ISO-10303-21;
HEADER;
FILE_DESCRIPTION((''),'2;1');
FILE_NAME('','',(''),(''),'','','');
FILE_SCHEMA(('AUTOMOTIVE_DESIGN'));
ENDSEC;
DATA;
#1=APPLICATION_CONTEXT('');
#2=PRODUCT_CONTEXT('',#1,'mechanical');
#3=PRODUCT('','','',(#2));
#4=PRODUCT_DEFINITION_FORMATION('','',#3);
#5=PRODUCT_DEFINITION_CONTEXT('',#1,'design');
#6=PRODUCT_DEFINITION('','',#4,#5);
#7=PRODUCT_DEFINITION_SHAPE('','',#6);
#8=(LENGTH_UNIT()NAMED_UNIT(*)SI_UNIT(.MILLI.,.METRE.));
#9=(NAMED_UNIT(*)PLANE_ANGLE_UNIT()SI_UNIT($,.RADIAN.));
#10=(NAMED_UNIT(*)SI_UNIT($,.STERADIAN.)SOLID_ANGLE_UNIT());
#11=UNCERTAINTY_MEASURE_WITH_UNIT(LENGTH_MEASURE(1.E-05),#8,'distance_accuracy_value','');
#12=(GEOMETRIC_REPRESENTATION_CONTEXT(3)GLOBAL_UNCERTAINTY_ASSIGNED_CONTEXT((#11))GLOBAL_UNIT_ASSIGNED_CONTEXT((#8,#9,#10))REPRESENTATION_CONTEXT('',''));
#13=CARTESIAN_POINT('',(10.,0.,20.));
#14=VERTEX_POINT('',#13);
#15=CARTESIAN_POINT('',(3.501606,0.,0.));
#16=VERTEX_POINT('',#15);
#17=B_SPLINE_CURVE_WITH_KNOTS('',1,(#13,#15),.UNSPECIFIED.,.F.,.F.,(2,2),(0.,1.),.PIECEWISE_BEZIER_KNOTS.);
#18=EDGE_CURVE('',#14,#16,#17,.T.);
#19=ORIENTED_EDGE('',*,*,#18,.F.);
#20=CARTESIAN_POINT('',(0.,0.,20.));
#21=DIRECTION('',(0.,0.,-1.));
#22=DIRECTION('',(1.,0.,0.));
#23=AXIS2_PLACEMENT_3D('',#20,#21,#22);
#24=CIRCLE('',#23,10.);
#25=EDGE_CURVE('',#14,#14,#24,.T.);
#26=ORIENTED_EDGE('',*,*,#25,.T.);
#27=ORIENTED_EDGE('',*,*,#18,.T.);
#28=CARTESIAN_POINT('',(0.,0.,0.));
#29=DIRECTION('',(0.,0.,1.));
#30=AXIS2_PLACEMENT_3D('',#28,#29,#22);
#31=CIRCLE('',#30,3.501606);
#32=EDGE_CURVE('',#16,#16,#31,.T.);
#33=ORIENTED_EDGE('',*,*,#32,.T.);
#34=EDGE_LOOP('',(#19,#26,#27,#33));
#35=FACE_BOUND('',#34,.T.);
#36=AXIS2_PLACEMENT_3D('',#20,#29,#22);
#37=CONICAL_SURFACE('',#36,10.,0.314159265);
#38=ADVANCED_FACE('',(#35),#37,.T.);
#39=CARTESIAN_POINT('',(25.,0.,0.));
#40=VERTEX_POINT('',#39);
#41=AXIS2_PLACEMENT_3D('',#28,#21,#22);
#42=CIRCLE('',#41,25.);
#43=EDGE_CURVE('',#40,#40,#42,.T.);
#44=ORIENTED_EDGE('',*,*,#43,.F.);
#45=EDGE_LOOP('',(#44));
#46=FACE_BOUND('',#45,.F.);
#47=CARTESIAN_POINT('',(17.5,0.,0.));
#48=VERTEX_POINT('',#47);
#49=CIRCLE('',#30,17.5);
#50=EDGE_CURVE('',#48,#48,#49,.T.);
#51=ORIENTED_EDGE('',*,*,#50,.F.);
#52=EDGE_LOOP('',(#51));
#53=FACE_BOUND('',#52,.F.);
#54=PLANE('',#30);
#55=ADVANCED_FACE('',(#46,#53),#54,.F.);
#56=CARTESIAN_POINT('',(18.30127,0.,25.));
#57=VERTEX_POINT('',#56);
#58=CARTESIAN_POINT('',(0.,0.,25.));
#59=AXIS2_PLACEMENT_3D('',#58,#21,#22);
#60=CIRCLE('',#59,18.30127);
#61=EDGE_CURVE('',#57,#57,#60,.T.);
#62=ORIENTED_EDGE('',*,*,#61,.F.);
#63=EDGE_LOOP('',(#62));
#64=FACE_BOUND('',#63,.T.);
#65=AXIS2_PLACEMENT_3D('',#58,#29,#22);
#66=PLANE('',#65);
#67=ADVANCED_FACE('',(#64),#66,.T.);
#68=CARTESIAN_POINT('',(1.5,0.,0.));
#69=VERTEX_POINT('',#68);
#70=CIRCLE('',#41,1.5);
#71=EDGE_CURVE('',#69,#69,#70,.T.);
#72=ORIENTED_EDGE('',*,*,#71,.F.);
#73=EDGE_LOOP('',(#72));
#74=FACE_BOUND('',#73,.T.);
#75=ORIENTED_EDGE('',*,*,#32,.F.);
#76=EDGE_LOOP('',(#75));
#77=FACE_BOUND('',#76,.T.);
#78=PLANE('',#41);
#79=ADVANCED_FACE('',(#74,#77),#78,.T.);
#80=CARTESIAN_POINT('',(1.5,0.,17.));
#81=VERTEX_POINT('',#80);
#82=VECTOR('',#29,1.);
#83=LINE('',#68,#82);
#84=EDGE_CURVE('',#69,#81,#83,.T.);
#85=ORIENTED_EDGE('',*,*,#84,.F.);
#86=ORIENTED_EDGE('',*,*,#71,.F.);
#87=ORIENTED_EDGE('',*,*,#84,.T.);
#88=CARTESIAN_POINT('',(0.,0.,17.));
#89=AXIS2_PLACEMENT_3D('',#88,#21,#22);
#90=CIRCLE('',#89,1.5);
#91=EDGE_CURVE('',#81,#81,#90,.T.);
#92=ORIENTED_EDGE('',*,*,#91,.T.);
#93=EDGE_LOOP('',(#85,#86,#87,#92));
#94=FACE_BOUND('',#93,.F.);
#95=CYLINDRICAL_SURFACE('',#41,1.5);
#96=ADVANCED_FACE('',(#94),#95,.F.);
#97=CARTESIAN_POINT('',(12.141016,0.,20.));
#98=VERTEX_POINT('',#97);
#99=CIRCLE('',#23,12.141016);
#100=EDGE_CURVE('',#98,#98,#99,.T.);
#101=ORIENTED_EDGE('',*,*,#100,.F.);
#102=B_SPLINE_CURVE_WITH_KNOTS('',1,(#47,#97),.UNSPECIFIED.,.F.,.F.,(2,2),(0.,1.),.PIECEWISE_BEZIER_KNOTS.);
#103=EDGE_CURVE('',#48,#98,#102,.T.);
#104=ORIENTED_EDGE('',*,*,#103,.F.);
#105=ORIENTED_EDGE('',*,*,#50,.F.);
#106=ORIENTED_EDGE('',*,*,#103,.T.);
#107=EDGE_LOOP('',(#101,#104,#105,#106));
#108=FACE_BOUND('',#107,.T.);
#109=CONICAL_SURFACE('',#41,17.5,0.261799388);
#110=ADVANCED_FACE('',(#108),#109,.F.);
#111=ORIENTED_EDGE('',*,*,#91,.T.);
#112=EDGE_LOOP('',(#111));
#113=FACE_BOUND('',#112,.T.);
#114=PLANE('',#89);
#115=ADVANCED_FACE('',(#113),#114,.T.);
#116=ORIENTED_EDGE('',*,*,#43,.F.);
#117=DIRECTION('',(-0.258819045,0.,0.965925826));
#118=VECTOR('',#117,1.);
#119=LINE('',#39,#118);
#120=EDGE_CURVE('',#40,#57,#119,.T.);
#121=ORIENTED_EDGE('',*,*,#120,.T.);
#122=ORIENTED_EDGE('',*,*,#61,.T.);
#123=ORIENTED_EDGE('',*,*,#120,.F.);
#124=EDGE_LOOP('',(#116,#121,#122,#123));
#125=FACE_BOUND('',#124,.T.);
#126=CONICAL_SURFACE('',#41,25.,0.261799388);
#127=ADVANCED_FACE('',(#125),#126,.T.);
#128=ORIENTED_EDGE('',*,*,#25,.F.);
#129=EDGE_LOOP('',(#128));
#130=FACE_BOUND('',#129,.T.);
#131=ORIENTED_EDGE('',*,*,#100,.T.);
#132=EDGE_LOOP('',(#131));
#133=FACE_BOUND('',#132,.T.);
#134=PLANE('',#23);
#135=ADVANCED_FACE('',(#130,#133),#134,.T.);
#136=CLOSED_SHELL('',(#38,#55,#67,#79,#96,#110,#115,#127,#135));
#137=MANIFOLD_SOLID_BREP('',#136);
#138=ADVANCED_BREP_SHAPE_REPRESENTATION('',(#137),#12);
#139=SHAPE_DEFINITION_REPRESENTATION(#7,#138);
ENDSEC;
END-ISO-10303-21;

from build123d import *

# Parameters (mm, degrees)
SKETCH_R        = 25
PAD_DEPTH       = 25
PAD_TAPER       = 15
SKETCH001_R     = 17.5
POCKET_DEPTH    = 20
POCKET_TAPER    = 15
SKETCH002_R     = 10
PAD001_DEPTH    = 20
PAD001_TAPER    = 18
SKETCH003_R     = 1.5
POCKET001_DEPTH = 17


with BuildPart() as part:
    # Sketch → Pad (new body)
    with BuildSketch(Plane.XY):
        Circle(SKETCH_R)
    extrude(amount=PAD_DEPTH, taper=PAD_TAPER)

    # Sketch001 (on Face2 of Pad) → Pocket (cut)
    with BuildSketch(Plane(origin=(0, 0, 0), x_dir=(1, 0, 0), z_dir=(0, 0, -1))):
        Circle(SKETCH001_R)
    extrude(amount=-POCKET_DEPTH, taper=POCKET_TAPER, mode=Mode.SUBTRACT)

    # Sketch002 (on Face5 of Pocket) → Pad001 (join)
    with BuildSketch(Plane(origin=(0, 0, 20), x_dir=(1, 0, 0), z_dir=(0, 0, -1))):
        Circle(SKETCH002_R)
    extrude(amount=PAD001_DEPTH, taper=PAD001_TAPER)

    # Sketch003 (on Face7 of Pad001) → Pocket001 (cut)
    with BuildSketch(Plane(origin=(0, 0, 0), x_dir=(1, 0, 0), z_dir=(0, 0, -1))):
        Circle(SKETCH003_R)
    extrude(amount=-POCKET001_DEPTH, mode=Mode.SUBTRACT)


solid = part.part
